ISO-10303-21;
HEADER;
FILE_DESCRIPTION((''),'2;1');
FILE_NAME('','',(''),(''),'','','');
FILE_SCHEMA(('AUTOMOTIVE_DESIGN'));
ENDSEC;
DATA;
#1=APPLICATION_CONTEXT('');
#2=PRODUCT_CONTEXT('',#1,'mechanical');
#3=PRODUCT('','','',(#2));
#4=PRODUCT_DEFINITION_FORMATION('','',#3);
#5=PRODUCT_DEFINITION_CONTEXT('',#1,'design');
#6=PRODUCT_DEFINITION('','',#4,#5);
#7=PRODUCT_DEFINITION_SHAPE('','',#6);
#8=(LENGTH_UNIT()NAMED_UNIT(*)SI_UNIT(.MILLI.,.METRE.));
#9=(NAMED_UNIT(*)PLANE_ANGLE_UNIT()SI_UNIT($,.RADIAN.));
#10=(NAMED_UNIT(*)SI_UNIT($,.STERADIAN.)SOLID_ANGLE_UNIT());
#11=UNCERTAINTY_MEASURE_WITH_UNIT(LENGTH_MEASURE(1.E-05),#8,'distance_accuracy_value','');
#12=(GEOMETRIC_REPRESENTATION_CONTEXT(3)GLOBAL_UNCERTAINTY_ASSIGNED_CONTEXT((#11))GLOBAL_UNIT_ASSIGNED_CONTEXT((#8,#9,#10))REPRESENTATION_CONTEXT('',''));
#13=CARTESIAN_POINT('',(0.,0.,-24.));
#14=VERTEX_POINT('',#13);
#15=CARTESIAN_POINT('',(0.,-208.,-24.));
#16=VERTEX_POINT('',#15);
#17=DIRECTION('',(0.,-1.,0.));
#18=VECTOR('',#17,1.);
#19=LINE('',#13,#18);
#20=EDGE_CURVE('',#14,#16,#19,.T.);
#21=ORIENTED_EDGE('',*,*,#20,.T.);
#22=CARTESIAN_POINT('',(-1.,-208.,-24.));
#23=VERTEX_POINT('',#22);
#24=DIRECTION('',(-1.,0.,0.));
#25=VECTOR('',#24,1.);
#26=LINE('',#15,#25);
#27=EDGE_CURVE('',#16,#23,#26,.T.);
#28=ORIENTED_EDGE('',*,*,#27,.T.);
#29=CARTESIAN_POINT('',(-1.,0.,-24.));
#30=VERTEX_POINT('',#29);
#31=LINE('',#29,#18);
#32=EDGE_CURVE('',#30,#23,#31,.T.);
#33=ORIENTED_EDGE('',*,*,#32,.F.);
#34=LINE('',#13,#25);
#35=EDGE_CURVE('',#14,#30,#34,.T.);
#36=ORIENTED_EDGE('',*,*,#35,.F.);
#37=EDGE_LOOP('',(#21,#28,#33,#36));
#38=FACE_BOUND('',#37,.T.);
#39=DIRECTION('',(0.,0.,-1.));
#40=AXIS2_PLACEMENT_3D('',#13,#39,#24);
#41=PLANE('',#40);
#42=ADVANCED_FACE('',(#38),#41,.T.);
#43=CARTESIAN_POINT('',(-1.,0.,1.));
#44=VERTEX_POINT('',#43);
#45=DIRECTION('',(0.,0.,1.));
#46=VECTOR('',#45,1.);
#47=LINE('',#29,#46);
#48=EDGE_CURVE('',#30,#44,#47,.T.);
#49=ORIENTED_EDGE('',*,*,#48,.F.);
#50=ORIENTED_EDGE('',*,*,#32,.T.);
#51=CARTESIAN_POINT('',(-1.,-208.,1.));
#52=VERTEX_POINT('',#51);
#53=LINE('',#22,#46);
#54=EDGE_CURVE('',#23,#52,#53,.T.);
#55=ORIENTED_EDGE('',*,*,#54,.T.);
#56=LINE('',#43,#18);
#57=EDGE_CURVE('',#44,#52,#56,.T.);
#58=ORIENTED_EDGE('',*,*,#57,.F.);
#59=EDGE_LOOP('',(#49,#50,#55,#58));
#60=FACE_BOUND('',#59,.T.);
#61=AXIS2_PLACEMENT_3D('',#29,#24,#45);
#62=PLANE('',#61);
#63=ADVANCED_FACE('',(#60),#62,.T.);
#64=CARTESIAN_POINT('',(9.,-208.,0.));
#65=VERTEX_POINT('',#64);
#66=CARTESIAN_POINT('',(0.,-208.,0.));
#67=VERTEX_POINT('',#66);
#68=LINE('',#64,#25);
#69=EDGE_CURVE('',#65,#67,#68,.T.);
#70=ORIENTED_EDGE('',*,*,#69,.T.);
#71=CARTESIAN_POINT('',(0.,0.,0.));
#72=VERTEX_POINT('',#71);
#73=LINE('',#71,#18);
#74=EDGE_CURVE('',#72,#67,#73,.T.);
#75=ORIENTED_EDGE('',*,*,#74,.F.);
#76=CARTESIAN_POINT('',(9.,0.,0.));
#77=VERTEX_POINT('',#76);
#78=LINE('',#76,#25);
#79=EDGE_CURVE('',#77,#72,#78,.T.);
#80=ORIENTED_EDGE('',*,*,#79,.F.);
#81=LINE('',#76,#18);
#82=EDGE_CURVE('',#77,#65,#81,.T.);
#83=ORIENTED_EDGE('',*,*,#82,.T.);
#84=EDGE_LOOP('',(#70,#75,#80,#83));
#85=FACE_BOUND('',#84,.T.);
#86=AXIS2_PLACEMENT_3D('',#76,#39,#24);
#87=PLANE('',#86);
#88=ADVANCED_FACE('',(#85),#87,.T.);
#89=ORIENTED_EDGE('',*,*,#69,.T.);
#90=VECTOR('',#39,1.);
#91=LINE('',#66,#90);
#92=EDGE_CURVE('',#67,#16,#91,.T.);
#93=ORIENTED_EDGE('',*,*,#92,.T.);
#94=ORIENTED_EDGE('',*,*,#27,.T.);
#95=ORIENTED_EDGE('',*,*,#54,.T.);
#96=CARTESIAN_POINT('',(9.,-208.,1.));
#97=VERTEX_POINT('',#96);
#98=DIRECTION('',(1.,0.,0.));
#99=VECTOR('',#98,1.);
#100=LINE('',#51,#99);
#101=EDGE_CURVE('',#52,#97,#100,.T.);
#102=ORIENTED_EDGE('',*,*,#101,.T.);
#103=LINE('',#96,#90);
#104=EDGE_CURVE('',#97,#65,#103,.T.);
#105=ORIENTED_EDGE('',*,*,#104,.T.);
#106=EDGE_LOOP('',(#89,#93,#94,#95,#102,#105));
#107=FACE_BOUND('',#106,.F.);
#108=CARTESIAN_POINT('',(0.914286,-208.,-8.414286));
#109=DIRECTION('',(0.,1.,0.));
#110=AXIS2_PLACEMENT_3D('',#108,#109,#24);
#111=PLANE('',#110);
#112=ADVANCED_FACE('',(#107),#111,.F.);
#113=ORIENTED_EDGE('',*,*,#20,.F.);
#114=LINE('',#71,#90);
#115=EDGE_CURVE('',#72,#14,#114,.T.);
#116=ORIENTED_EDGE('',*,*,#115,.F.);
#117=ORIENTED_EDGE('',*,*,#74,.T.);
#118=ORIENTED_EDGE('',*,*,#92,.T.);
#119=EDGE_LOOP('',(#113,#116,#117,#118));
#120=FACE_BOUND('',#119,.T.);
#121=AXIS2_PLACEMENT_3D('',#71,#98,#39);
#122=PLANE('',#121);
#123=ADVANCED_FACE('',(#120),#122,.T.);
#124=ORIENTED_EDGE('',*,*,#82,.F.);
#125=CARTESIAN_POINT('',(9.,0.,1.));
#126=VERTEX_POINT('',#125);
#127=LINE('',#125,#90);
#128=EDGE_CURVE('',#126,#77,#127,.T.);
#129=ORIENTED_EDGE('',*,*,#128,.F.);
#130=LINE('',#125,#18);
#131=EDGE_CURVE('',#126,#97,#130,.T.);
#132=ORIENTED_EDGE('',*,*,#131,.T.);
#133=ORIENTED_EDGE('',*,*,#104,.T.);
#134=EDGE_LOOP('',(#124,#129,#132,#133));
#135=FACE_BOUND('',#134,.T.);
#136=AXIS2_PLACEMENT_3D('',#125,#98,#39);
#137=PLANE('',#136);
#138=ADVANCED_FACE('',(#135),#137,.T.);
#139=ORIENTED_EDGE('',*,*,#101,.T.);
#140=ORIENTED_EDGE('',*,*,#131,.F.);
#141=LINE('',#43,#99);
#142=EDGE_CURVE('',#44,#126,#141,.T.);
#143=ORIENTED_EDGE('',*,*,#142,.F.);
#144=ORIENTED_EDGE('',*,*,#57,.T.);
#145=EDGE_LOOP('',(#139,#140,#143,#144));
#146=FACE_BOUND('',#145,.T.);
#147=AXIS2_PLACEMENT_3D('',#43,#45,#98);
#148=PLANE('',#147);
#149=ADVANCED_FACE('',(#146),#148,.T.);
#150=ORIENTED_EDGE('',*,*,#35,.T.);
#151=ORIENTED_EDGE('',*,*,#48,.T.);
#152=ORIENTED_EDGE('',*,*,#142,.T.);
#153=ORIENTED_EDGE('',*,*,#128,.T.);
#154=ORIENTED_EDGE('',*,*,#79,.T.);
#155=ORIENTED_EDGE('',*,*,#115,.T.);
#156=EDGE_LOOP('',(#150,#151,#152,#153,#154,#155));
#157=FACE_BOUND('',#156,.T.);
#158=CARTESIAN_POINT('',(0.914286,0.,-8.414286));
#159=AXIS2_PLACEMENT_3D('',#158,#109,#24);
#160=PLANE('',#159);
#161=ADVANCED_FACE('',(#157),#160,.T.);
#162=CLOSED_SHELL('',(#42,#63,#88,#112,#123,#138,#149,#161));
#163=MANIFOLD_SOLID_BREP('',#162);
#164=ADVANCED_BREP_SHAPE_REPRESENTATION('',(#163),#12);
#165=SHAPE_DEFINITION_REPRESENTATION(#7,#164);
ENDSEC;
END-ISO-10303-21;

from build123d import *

# Parameters (mm, degrees)
PAD_DEPTH = 208


with BuildPart() as part:
    # Sketch → Pad (new body)
    with BuildSketch(Plane.XZ):
        Polygon((9, 0), (0, 0), (0, -24), (-1, -24), (-1, 1), (9, 1), align=None)
    extrude(amount=PAD_DEPTH)


solid = part.part
